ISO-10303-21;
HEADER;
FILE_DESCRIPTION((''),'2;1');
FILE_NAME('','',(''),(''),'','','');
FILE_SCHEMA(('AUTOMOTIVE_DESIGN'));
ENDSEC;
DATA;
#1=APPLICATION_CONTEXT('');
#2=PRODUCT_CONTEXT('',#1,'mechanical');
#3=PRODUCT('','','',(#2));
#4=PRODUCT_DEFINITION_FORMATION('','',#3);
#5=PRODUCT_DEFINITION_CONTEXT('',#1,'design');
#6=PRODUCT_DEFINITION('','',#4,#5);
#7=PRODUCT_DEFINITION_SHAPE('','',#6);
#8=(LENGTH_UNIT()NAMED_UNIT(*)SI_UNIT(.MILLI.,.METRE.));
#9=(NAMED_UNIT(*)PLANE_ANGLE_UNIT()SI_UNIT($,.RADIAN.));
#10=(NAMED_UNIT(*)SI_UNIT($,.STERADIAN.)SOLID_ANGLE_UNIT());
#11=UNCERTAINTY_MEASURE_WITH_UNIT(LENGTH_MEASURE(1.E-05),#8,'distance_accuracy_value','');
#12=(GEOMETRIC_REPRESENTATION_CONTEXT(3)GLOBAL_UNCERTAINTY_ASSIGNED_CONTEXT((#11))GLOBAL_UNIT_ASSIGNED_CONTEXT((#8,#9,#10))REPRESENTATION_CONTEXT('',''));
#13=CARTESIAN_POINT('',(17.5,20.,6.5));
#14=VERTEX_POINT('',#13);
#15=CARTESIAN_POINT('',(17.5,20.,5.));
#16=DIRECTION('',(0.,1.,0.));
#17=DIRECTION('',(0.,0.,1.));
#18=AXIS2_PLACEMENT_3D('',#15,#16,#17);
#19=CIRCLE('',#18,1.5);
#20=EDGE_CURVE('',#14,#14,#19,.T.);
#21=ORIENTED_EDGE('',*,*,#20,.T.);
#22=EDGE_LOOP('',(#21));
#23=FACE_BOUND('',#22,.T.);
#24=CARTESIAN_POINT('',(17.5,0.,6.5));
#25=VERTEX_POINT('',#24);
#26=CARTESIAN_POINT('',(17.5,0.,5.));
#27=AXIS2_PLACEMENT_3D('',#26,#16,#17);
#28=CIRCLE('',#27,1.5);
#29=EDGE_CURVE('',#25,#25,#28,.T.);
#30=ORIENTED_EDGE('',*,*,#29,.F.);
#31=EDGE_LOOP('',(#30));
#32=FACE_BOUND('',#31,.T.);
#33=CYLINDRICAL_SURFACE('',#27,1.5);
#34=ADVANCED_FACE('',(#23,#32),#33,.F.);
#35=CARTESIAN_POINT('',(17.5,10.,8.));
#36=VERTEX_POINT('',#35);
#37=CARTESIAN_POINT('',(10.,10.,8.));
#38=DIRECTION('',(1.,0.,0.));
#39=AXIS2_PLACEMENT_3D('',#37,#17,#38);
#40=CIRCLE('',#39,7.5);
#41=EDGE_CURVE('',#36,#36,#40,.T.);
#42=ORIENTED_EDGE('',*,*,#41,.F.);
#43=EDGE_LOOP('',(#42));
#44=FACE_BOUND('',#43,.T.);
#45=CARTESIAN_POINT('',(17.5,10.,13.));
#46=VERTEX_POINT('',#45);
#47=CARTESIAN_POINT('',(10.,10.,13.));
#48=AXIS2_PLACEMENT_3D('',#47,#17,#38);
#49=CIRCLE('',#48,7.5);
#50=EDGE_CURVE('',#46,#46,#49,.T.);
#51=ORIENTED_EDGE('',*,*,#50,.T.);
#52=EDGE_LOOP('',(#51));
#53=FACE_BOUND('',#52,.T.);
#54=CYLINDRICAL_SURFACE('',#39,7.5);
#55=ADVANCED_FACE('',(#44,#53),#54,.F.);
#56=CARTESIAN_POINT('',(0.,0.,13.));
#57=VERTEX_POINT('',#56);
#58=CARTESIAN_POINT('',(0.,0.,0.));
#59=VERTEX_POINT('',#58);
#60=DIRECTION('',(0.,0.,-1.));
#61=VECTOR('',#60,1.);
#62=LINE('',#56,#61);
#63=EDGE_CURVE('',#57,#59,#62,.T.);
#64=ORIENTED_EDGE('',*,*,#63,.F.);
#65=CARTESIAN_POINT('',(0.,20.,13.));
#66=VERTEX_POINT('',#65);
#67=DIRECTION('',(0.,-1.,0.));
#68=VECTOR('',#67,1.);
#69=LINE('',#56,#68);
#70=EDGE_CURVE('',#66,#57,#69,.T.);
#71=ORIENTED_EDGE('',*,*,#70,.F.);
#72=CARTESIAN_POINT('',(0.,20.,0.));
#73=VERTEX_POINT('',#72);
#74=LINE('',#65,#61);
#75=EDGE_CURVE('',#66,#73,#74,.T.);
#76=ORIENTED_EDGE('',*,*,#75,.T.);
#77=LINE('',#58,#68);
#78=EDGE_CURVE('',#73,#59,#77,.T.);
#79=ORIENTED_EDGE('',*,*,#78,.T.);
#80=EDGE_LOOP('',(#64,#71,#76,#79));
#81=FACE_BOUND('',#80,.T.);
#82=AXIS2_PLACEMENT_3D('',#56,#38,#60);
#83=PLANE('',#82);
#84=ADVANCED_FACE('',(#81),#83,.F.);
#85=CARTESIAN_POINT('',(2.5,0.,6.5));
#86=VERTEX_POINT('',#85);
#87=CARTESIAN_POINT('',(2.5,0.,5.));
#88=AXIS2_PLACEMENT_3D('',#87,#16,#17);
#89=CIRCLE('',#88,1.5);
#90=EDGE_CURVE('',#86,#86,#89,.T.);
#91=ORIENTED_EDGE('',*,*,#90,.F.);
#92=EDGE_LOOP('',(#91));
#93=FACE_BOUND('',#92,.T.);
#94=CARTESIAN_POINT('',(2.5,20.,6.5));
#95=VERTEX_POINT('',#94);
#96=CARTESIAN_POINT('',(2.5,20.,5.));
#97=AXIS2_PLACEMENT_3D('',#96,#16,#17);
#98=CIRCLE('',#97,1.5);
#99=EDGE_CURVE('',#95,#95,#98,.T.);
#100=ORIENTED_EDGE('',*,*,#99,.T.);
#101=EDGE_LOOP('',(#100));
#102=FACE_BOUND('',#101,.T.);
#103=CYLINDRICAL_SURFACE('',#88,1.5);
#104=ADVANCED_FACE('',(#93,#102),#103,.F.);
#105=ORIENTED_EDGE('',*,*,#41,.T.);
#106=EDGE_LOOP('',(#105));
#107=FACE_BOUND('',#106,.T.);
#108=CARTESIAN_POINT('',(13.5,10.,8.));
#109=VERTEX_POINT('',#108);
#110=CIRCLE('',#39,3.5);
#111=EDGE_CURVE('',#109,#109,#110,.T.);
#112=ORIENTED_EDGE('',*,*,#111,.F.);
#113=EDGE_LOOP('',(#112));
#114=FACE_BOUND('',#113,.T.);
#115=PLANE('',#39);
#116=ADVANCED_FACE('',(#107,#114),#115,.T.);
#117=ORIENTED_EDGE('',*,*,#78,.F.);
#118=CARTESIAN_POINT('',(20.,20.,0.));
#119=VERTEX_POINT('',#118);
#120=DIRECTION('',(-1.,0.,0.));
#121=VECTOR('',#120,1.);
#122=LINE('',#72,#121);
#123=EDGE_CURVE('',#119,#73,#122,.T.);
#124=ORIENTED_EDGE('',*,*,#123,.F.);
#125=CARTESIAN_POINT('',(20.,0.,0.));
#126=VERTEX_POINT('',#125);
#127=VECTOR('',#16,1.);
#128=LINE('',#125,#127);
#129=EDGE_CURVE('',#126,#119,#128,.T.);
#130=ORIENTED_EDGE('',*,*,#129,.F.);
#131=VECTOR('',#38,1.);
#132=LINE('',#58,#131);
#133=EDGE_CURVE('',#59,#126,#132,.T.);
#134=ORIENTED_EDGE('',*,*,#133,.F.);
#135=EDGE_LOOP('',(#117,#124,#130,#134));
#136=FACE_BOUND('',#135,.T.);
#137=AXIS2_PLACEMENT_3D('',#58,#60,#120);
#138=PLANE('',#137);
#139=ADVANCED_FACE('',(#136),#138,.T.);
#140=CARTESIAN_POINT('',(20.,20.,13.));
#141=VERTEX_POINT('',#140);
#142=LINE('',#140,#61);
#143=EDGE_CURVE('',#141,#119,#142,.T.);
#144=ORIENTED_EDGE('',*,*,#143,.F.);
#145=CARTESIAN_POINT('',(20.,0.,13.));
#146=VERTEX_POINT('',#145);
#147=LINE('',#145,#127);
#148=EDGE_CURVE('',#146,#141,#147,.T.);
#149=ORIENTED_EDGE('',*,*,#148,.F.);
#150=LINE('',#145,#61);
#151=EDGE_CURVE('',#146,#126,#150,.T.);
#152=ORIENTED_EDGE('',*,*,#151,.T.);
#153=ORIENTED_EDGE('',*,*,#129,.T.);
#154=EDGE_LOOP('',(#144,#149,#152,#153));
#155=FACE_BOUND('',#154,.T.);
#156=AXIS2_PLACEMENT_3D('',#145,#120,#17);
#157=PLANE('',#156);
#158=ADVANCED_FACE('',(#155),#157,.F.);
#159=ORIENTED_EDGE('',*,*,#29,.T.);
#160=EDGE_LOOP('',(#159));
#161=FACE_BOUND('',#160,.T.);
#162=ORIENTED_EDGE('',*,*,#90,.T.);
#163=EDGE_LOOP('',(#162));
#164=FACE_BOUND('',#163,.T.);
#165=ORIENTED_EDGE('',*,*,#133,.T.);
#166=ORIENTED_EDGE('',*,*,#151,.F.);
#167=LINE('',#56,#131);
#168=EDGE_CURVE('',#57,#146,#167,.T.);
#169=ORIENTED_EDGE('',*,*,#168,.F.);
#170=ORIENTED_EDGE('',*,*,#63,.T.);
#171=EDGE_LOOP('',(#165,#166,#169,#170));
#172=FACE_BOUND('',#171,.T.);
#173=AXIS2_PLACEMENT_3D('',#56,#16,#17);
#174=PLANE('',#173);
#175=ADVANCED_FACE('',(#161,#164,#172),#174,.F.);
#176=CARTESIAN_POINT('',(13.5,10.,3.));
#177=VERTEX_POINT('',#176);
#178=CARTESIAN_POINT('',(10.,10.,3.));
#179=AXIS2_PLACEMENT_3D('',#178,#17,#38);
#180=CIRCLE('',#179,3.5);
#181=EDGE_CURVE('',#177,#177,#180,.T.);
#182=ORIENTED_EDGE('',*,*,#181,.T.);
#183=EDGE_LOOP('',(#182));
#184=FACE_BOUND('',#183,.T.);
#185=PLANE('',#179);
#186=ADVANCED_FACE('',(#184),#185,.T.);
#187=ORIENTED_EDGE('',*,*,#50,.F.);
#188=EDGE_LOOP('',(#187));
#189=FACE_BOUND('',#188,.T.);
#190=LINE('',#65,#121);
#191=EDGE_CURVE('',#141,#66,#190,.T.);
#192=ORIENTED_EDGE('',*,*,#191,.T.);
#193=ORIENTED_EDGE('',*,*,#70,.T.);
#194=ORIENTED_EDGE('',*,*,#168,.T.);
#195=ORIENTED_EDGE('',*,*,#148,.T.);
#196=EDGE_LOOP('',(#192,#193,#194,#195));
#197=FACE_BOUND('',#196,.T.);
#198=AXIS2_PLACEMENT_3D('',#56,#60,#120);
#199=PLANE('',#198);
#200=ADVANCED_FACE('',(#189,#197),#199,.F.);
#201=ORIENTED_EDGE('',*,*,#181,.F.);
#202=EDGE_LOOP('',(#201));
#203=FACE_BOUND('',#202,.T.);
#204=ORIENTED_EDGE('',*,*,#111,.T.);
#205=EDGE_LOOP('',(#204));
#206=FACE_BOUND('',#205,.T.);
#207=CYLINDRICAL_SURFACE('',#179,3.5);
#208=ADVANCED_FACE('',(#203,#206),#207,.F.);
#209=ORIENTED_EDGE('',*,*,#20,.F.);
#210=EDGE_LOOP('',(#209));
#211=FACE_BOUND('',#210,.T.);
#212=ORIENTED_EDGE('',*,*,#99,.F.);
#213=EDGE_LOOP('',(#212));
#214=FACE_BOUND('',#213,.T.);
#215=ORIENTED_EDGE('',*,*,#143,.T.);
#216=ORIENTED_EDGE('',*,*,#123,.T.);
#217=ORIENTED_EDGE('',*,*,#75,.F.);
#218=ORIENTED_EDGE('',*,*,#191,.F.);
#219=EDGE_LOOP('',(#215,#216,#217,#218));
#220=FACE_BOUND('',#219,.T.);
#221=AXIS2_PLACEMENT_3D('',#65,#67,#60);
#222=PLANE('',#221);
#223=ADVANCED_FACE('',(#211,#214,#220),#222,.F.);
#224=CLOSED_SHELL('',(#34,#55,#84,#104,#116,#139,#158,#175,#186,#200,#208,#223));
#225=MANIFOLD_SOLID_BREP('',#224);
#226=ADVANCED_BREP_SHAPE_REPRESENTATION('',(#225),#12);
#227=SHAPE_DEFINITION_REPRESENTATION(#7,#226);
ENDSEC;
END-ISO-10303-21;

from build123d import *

# Parameters (mm, degrees)
ESQUISSE1_W             = 20
ESQUISSE1_H             = 20
BOSS_EXTRU_1_DEPTH      = 13
ESQUISSE2_R             = 7.5
ENL_V_MAT_EXTRU_1_DEPTH = 5
ESQUISSE3_R             = 3.5
ENL_V_MAT_EXTRU_2_DEPTH = 5
ESQUISSE4_R             = 1.5
ENL_V_MAT_EXTRU_3_DEPTH = 21


with BuildPart() as part:
    # Esquisse1 → Boss.-Extru.1 (new body)
    with BuildSketch(Plane.XY):
        with Locations((10, 10)):
            Rectangle(ESQUISSE1_W, ESQUISSE1_H)
    extrude(amount=BOSS_EXTRU_1_DEPTH)

    # Esquisse2 → Enlèv. mat.-Extru.1 (cut)
    with BuildSketch(Plane.XY.offset(13)):
        with Locations((10, 10)):
            Circle(ESQUISSE2_R)
    extrude(amount=-ENL_V_MAT_EXTRU_1_DEPTH, mode=Mode.SUBTRACT)

    # Esquisse3 → Enlèv. mat.-Extru.2 (cut)
    with BuildSketch(Plane.XY.offset(8)):
        with Locations((10, 10)):
            Circle(ESQUISSE3_R)
    extrude(amount=-ENL_V_MAT_EXTRU_2_DEPTH, mode=Mode.SUBTRACT)

    # Esquisse4 → Enlèv. mat.-Extru.3 (cut, through all)
    with BuildSketch(Plane(origin=(0, 20, 0), x_dir=(1, 0, 0), z_dir=(0, 1, 0))):
        with Locations((17.5, -5)):
            Circle(ESQUISSE4_R)
        with Locations((2.5, -5)):
            Circle(ESQUISSE4_R)
    extrude(amount=-ENL_V_MAT_EXTRU_3_DEPTH, mode=Mode.SUBTRACT)


solid = part.part
